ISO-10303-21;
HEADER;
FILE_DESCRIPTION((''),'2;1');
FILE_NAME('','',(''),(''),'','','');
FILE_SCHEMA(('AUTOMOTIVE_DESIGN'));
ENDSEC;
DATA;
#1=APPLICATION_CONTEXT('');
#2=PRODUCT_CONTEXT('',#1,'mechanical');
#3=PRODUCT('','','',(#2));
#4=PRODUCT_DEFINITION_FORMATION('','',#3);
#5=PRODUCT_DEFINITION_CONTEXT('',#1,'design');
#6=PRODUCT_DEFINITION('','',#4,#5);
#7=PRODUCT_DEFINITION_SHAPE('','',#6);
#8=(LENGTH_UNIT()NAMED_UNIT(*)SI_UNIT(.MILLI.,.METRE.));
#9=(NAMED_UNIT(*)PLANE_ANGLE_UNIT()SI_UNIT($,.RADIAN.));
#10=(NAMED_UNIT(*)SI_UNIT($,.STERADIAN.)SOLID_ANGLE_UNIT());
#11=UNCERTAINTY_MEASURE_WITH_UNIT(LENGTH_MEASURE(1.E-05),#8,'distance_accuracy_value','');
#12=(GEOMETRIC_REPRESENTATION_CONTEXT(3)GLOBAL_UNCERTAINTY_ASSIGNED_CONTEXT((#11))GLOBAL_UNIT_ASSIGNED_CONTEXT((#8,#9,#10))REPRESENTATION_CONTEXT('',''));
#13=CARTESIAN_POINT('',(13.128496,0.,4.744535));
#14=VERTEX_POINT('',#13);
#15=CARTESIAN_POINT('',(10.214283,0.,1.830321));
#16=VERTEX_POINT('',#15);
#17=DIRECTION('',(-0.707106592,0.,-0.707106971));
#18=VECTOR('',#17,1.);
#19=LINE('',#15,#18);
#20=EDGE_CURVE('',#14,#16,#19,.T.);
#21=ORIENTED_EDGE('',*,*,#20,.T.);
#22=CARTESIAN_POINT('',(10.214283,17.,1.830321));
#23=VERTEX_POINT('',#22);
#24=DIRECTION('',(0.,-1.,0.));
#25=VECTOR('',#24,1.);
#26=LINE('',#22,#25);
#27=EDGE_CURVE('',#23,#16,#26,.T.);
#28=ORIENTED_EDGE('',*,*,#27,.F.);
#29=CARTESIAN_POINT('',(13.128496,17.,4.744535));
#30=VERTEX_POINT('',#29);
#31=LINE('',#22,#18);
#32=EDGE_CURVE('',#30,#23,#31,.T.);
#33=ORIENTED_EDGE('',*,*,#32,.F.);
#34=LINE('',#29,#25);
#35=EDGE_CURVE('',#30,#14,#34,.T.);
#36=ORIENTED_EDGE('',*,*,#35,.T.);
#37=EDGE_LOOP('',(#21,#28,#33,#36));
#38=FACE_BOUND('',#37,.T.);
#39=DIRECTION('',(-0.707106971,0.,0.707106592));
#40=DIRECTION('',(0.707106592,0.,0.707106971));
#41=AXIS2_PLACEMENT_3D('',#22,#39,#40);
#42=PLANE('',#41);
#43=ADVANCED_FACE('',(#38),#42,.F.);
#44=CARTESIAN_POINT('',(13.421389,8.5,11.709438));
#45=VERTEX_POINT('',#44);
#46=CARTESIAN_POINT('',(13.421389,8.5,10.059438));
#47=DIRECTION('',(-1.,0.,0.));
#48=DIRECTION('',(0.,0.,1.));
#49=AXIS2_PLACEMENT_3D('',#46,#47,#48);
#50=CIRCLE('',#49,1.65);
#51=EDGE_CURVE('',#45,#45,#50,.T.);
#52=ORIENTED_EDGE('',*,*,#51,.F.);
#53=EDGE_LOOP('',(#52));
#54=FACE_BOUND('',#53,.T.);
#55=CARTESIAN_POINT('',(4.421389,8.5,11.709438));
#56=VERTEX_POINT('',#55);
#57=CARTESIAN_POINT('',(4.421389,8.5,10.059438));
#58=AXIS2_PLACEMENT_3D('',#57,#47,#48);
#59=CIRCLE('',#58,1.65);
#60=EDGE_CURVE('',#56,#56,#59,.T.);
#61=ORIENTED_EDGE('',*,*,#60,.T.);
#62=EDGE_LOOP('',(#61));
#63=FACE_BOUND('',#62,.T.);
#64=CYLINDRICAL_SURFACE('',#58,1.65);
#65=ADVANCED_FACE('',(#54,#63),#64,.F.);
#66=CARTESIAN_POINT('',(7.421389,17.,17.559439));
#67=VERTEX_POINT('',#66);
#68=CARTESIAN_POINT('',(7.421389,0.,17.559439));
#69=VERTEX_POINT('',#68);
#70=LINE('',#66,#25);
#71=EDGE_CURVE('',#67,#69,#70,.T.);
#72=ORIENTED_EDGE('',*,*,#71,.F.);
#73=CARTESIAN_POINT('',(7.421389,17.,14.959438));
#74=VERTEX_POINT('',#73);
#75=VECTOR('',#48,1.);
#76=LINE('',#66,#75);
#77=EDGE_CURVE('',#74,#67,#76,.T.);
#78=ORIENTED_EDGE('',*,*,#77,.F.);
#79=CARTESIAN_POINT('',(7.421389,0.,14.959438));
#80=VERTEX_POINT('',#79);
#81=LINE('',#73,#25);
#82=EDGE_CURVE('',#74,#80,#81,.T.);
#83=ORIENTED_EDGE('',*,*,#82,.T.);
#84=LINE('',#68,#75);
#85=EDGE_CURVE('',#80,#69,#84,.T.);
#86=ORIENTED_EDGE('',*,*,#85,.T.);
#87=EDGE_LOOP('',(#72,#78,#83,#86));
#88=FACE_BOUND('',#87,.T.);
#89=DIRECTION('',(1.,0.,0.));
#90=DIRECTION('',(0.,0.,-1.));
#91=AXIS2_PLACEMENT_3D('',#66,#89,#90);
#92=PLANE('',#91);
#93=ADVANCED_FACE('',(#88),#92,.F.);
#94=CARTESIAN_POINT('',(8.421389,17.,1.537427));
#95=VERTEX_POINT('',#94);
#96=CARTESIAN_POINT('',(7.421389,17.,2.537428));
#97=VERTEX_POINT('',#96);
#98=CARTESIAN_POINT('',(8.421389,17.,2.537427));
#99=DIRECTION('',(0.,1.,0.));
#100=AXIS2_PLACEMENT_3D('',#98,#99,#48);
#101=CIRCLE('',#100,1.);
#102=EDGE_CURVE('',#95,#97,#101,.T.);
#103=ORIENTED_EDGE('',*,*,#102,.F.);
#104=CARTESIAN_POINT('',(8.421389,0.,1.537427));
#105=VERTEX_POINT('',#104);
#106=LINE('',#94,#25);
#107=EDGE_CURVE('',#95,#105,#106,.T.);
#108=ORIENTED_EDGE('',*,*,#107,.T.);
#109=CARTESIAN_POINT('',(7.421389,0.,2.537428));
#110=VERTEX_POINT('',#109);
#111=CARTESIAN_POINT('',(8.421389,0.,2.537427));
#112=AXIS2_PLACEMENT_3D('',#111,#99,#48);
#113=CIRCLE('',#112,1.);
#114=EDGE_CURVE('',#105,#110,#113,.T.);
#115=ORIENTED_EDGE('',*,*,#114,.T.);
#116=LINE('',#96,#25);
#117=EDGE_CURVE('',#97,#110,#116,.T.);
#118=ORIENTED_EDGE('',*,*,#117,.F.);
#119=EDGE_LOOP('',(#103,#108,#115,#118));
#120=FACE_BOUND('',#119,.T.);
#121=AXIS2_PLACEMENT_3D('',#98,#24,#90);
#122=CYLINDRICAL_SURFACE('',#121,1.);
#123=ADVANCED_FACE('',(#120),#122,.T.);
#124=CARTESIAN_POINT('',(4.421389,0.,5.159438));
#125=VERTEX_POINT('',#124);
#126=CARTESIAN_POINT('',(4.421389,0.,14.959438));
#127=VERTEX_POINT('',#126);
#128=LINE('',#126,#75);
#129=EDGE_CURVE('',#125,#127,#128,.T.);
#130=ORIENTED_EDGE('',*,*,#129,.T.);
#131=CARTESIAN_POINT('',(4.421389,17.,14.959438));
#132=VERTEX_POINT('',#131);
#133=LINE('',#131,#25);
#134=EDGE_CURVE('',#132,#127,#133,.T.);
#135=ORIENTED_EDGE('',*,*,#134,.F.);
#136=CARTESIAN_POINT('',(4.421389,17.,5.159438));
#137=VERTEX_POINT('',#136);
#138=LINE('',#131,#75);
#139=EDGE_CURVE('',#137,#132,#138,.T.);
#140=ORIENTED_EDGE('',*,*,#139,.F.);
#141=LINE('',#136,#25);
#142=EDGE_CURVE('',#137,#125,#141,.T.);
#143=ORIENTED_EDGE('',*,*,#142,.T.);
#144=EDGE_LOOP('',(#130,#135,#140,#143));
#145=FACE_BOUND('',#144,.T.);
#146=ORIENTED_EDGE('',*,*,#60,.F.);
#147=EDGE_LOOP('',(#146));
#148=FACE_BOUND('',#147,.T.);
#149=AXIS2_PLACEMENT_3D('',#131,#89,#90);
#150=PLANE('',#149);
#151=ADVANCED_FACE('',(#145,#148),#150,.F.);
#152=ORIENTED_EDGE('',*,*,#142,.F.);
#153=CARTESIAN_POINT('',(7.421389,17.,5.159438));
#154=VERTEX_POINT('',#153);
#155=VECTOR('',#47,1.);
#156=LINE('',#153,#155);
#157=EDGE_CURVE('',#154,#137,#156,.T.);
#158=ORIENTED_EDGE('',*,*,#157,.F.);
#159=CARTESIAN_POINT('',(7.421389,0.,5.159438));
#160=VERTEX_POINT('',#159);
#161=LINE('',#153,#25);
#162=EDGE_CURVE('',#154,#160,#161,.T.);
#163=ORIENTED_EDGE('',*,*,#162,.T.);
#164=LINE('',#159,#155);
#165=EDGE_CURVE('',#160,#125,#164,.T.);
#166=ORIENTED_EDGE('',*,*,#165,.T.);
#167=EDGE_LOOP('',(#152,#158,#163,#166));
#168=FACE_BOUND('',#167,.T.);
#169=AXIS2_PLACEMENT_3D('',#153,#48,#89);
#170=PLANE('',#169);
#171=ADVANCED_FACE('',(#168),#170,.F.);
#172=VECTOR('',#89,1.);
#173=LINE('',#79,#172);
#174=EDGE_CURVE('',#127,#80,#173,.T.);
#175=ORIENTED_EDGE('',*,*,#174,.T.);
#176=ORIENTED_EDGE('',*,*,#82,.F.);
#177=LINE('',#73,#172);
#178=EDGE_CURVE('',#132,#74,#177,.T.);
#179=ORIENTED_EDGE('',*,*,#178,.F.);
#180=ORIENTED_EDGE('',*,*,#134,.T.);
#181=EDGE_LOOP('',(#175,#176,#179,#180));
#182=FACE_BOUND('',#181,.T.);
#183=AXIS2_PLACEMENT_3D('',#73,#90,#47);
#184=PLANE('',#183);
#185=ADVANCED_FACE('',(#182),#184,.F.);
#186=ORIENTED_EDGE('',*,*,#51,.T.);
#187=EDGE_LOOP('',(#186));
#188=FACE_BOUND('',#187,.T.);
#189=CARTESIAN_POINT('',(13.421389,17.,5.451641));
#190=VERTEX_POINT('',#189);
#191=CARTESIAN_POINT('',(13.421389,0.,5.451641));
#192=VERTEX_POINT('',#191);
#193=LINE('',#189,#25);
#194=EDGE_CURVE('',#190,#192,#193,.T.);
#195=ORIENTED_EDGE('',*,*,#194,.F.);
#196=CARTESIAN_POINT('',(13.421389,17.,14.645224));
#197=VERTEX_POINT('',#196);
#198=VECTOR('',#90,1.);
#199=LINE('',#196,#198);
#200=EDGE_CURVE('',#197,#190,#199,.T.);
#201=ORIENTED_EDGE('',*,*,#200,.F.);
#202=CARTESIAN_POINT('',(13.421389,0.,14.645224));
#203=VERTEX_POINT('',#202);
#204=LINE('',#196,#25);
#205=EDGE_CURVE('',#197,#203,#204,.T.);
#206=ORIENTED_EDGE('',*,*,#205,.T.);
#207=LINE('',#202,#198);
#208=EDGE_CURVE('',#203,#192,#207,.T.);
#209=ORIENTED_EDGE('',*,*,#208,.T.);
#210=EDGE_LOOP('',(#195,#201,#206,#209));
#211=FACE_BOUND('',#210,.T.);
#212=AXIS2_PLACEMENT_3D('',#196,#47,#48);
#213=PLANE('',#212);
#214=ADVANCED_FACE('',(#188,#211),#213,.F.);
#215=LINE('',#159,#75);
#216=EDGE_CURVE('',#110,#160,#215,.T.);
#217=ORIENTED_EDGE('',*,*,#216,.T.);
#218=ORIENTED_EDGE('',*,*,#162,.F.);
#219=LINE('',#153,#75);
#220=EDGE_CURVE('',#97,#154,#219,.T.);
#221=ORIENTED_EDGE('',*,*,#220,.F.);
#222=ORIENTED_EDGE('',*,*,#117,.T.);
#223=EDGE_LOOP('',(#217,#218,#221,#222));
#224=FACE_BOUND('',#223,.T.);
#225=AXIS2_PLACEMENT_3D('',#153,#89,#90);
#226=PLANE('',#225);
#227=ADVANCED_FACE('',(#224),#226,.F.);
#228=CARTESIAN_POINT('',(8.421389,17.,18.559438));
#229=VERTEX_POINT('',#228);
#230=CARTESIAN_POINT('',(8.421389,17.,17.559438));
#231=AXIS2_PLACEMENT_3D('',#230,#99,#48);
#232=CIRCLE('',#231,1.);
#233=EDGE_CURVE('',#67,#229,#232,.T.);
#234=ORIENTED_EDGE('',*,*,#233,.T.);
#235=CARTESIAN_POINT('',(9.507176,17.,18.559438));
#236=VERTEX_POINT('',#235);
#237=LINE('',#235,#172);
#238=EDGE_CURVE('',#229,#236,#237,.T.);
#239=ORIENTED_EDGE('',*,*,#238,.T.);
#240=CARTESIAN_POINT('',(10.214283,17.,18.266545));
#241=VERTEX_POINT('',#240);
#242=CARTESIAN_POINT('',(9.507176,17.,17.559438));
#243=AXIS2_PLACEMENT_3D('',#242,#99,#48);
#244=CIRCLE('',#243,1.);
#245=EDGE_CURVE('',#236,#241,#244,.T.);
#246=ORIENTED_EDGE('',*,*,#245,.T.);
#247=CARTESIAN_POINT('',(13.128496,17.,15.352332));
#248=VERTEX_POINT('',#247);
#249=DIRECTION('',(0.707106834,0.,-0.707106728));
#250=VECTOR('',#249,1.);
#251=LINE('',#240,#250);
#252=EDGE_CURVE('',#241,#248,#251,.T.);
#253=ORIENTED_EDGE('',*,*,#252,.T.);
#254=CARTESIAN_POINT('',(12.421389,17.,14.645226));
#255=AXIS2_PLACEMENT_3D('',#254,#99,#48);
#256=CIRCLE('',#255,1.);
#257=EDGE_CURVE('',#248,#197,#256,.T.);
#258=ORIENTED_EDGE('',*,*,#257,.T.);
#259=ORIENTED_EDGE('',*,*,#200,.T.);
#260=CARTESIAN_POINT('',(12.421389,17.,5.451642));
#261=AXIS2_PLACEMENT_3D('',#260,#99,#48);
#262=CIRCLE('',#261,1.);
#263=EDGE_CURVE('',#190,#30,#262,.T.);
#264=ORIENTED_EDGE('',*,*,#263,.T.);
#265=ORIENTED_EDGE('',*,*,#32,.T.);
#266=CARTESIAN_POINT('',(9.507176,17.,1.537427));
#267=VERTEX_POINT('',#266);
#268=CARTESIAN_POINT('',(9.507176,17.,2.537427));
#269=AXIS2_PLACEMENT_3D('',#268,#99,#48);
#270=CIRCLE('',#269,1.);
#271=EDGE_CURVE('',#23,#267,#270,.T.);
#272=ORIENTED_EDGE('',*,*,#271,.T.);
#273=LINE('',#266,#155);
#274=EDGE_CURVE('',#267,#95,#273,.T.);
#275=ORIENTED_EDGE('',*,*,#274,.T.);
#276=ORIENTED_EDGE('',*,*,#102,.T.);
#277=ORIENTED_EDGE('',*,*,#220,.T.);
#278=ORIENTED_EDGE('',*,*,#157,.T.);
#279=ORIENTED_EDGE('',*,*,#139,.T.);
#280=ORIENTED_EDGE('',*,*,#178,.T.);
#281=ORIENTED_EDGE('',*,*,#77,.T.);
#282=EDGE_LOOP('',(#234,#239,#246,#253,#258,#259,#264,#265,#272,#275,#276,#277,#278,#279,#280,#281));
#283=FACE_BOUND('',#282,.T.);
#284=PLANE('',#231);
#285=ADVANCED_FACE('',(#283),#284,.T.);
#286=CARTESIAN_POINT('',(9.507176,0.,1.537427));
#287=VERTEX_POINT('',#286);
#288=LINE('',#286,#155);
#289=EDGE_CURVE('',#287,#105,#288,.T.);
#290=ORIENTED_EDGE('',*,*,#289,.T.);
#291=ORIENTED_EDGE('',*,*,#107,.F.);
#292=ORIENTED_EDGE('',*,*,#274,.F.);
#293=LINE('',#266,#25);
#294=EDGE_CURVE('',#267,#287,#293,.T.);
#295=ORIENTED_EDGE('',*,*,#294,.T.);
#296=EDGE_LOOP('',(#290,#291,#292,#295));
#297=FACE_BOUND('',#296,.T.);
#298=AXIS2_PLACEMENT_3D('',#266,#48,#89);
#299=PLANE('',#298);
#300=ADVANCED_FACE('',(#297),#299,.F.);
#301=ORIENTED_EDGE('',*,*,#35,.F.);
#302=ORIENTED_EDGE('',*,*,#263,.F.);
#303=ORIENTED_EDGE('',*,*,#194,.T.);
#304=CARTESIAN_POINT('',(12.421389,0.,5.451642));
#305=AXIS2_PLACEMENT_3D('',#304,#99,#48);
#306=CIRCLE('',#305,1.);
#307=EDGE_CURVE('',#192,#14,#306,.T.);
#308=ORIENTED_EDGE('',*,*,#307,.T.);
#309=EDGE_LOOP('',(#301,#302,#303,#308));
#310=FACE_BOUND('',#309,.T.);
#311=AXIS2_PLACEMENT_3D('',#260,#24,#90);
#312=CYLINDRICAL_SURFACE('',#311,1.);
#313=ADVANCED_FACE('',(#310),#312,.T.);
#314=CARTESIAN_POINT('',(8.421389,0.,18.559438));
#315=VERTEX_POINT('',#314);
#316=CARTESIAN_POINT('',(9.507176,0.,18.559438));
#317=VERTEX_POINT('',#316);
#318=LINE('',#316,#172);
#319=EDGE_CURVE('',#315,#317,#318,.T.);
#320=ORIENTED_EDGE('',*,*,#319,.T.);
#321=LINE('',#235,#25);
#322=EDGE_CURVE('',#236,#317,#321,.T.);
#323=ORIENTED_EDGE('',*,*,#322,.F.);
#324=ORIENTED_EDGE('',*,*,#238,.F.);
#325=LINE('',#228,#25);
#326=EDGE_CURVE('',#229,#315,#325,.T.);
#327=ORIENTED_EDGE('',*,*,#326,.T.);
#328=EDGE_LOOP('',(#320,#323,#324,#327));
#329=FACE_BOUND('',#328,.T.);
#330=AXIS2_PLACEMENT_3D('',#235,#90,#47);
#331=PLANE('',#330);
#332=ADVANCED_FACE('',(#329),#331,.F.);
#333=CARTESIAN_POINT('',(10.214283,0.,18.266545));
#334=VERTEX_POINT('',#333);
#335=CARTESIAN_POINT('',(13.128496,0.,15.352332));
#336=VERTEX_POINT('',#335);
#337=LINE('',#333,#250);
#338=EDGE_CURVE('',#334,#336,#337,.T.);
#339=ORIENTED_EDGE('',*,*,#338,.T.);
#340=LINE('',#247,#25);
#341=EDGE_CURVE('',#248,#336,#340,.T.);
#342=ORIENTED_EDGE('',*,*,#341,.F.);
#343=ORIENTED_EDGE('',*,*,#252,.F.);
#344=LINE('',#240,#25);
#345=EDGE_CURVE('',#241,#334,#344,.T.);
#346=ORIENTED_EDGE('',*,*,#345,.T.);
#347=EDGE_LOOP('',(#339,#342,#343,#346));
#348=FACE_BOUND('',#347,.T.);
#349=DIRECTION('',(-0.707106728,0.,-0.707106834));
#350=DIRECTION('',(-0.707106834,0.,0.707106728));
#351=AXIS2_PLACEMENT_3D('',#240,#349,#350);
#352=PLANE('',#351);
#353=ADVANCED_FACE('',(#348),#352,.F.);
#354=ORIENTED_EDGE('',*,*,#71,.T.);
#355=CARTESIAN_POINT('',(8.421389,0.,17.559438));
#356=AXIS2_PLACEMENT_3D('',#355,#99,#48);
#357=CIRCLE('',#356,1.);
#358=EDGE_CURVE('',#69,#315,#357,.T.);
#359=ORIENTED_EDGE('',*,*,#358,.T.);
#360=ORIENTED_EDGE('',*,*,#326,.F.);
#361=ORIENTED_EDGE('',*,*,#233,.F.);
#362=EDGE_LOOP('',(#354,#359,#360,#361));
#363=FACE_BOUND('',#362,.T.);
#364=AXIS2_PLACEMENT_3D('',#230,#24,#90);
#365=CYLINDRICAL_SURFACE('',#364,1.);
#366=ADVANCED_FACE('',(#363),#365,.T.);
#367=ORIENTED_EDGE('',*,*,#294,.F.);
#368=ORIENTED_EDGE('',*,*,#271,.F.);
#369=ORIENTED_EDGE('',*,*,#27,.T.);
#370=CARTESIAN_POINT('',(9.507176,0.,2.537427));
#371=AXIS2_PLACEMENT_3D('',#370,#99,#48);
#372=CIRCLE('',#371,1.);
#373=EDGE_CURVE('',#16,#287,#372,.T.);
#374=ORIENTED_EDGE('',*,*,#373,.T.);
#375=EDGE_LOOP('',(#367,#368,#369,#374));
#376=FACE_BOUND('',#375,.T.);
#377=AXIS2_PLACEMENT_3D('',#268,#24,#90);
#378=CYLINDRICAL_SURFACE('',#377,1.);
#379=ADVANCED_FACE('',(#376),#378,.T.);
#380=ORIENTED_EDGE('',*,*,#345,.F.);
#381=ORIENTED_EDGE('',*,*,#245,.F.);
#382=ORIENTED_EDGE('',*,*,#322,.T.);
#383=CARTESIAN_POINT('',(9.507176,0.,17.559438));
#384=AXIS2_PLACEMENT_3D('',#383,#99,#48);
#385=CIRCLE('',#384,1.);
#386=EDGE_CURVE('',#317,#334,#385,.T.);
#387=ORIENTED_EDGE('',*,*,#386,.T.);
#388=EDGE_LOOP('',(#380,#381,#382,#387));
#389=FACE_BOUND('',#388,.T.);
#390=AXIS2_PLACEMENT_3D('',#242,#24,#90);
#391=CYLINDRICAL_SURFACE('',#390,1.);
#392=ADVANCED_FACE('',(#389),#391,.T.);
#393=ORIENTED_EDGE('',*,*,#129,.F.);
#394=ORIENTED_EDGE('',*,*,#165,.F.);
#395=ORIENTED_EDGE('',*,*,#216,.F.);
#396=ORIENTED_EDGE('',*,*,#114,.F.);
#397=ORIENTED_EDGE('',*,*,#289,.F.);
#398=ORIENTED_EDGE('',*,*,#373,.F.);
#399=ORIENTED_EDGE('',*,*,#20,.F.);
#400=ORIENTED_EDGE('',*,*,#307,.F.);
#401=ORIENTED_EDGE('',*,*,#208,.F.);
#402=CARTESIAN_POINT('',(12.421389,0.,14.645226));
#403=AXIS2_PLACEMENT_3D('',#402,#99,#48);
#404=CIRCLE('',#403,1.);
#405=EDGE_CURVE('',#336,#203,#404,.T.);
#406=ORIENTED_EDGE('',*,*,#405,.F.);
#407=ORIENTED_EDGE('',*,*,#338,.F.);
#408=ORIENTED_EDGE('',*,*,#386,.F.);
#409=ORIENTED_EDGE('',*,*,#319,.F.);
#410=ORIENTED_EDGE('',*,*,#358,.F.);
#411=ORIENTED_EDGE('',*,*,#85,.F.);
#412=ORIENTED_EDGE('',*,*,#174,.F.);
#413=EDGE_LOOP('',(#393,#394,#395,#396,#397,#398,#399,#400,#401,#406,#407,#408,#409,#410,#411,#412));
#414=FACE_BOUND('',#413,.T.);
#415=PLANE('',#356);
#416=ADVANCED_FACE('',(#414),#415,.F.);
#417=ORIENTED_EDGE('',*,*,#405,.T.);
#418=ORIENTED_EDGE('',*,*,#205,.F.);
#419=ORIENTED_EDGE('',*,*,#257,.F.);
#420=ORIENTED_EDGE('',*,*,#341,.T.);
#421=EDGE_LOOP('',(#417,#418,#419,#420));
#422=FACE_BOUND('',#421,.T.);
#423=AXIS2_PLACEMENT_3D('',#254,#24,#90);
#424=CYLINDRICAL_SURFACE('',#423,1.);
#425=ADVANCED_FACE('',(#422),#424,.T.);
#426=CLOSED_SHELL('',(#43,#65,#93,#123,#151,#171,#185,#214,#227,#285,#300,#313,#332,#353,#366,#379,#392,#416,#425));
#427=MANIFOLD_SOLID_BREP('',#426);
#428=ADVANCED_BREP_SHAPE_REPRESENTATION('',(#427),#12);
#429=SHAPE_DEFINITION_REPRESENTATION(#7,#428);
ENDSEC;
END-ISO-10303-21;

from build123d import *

# Parameters (mm, degrees)
BOSS_EXTRUDE1_DEPTH = 17
M4_TAPPED_HOLE1_D   = 3.3


with BuildPart() as part:
    # Sketch1 → Boss-Extrude1 (new body)
    with BuildSketch(Plane(origin=(0, 0, 0), x_dir=(1, 0, 0), z_dir=(0, 1, 0))):
        with BuildLine():
            Line((10.214282758, -18.266545266), (13.128495977, -15.352332485))
            ThreePointArc((13.128495977, -15.352332485), (13.345268844, -15.027908548), (13.421388977, -14.645224485))
            Line((13.421388977, -14.645224485), (13.421388977, -5.451641485))
            ThreePointArc((13.421388977, -5.451641485), (13.345268461, -5.068958498), (13.128495977, -4.744535485))
            Line((13.128495977, -4.744535485), (10.214282758, -1.830320704))
            ThreePointArc((10.214282758, -1.830320704), (9.889859409, -1.613547953), (9.507175977, -1.537427485))
            Line((9.507175977, -1.537427485), (8.421388977, -1.537427485))
            ThreePointArc((8.421388977, -1.537427485), (7.714282177, -1.830320722), (7.421388977, -2.537427537))
            Line((7.421388977, -2.537427537), (7.421388977, -5.159438485))
            Line((7.421388977, -5.159438485), (4.421388977, -5.159438485))
            Line((4.421388977, -5.159438485), (4.421388977, -14.959438485))
            Line((4.421388977, -14.959438485), (7.421388977, -14.959438485))
            Line((7.421388977, -14.959438485), (7.421388977, -17.559438537))
            ThreePointArc((7.421388977, -17.559438537), (7.714282276, -18.266545347), (8.421389151, -18.559438485))
            Line((8.421389151, -18.559438485), (9.507176151, -18.559438485))
            ThreePointArc((9.507176151, -18.559438485), (9.88985949, -18.483317984), (10.214282758, -18.266545266))
        make_face()
    extrude(amount=BOSS_EXTRUDE1_DEPTH)

    # M4 Tapped Hole1 (through all)
    with Locations(Plane.ZY.offset(-4.421388977)):
        with Locations((10.059438485, 8.5)):
            Hole(M4_TAPPED_HOLE1_D / 2)


solid = part.part
